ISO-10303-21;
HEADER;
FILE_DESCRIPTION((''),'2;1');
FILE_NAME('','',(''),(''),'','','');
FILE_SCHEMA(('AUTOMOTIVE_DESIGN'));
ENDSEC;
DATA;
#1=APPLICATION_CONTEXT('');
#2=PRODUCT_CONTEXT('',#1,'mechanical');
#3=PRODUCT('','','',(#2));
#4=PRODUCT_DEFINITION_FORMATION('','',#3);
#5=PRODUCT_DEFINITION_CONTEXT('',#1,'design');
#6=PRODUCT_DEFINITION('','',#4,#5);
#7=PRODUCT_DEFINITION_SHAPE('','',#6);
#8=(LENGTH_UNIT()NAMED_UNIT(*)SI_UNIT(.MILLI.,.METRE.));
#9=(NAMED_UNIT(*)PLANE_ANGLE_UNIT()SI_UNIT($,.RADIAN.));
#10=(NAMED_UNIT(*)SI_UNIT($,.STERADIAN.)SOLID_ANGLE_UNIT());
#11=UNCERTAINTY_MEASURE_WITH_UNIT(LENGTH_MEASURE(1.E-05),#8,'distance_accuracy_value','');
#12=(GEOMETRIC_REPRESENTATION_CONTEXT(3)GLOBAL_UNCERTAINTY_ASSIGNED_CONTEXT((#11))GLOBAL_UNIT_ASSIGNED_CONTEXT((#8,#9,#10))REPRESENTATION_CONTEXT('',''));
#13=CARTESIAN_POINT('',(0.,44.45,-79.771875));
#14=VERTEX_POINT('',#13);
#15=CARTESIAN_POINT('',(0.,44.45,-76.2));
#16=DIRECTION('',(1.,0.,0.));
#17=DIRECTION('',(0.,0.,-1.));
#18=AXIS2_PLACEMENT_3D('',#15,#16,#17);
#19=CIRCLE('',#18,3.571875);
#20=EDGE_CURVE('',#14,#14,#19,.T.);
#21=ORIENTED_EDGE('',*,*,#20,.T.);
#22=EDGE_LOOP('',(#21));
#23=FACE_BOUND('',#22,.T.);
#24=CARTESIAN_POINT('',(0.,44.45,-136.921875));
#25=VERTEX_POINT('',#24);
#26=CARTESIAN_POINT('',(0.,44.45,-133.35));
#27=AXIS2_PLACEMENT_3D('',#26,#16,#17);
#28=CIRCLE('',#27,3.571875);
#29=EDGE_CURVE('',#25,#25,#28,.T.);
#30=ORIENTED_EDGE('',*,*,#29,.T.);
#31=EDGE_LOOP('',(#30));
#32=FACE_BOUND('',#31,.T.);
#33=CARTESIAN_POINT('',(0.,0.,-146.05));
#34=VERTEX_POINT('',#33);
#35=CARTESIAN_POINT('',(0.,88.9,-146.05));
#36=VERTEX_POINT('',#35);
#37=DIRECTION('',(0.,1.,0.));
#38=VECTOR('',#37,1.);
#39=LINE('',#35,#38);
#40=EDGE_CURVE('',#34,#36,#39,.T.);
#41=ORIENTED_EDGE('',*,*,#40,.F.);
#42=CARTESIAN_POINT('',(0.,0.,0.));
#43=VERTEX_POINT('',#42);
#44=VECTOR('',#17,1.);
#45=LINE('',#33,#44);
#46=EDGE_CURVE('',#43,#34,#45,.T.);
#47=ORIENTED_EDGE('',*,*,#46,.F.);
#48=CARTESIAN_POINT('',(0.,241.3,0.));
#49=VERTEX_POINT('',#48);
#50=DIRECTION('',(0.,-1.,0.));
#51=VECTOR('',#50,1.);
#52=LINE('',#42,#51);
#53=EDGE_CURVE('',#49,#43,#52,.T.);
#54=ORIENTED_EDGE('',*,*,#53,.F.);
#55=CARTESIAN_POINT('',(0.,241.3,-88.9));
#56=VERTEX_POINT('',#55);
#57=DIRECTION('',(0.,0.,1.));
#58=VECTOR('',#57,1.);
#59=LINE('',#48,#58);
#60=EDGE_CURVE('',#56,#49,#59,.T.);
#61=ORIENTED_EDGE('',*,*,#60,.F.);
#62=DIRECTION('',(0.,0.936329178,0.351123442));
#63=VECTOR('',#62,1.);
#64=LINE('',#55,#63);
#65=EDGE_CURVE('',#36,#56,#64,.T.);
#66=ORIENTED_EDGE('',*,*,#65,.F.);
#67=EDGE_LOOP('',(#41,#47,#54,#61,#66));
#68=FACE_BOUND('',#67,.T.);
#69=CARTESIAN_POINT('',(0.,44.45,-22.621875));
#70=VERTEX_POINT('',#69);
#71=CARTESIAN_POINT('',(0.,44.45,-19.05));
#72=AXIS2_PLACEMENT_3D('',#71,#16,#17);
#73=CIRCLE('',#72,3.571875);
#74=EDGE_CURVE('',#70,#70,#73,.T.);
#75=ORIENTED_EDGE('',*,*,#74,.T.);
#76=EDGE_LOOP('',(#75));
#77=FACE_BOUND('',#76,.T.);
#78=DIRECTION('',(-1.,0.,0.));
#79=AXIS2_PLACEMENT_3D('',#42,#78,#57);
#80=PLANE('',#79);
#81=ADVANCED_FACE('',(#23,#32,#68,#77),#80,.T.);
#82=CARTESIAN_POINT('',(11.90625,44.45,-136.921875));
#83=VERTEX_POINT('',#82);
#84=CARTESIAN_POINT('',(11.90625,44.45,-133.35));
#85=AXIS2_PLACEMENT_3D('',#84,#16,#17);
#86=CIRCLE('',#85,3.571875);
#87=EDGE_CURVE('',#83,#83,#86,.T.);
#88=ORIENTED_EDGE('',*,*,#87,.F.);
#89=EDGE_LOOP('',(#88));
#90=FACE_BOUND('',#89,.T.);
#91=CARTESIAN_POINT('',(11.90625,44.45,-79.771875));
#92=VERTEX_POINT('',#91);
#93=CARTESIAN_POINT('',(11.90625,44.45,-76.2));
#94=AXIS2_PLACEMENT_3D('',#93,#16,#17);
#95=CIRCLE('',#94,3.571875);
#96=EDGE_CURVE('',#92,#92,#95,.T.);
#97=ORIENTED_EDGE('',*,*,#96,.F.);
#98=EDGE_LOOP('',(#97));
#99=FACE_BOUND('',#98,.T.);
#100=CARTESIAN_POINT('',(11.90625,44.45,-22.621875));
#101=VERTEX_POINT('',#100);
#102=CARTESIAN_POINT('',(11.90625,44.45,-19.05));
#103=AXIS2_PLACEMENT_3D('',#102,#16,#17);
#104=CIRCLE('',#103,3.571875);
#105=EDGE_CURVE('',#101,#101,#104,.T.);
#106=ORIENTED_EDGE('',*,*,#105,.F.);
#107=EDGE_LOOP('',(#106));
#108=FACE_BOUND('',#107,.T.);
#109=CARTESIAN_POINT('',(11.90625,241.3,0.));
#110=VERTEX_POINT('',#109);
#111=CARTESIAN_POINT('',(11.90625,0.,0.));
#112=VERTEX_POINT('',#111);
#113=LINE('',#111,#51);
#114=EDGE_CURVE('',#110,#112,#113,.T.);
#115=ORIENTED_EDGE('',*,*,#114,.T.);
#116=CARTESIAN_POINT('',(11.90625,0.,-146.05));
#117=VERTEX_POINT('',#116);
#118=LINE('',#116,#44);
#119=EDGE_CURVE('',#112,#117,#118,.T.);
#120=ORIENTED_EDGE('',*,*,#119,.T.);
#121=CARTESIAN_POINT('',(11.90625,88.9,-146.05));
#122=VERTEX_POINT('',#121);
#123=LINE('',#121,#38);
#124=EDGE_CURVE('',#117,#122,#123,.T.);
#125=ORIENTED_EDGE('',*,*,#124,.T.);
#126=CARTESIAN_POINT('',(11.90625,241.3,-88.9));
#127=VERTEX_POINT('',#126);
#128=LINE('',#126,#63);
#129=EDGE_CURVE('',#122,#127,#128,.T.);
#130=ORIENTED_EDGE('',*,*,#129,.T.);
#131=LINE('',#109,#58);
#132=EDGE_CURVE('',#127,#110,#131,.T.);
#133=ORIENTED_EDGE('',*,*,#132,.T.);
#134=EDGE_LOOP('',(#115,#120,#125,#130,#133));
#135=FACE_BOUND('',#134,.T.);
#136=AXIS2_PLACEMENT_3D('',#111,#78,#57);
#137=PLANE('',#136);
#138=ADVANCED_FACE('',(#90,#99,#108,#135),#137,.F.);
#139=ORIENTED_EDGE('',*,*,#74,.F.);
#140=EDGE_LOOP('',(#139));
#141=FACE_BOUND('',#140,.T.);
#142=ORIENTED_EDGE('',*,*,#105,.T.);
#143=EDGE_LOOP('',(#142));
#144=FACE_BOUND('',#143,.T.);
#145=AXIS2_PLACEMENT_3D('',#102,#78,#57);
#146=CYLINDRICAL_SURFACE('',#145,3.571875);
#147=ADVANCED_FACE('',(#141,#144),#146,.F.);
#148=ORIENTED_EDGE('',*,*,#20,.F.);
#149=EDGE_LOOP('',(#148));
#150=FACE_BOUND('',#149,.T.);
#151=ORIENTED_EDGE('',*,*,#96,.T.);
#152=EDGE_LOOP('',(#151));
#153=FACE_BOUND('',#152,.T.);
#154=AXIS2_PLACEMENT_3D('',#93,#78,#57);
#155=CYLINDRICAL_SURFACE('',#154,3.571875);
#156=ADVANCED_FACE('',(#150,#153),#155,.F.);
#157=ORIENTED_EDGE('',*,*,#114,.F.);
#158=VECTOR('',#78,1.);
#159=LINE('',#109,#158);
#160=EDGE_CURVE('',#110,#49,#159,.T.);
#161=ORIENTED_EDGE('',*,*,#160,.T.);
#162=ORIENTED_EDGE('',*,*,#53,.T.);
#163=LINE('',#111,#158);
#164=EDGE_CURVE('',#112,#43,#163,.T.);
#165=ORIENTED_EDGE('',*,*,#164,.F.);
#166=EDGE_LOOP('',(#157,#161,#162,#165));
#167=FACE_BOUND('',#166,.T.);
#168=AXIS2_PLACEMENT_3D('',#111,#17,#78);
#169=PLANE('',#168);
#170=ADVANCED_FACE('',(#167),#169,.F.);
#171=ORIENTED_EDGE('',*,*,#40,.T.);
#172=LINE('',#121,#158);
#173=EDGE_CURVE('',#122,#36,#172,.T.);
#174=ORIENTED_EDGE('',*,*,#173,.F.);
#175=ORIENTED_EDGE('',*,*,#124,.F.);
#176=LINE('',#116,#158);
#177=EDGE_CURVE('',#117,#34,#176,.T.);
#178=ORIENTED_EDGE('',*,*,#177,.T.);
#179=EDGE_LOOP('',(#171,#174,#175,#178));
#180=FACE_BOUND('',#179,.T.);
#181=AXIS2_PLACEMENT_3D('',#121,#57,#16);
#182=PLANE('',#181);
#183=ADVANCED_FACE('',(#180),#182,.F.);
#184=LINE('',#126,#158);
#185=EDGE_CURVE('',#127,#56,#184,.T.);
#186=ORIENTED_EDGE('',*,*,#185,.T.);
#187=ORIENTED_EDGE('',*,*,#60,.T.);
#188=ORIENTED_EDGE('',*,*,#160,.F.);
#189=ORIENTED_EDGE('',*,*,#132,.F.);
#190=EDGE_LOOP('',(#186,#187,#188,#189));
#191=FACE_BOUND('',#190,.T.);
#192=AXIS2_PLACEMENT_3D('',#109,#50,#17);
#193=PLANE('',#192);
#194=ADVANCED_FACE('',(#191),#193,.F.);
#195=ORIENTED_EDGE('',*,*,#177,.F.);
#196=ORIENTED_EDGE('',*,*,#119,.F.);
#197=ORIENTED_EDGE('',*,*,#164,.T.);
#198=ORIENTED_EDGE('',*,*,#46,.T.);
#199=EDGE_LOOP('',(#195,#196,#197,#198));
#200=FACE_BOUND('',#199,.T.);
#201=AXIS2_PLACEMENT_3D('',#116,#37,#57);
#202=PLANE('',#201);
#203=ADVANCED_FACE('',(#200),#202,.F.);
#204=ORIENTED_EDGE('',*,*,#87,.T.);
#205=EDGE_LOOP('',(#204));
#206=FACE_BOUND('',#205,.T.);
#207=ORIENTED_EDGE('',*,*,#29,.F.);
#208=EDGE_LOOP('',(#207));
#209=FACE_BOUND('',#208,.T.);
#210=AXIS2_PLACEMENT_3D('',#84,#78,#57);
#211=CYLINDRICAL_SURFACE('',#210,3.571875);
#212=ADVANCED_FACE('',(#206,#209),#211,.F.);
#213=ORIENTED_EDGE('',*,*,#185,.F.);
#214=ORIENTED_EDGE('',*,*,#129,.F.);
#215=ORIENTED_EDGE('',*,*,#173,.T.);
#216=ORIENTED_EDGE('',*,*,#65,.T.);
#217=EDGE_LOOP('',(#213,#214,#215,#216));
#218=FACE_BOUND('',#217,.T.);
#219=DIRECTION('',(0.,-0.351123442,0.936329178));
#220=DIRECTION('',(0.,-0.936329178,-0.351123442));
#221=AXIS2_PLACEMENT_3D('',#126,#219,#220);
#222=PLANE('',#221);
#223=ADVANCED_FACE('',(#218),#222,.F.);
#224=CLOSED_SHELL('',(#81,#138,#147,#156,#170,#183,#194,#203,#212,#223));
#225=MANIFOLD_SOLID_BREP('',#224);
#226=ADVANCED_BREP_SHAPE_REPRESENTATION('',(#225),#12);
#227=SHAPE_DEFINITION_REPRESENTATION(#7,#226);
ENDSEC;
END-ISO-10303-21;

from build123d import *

# Parameters (mm, degrees)
SKETCH1_R           = 3.571875
BOSS_EXTRUDE1_DEPTH = 11.90625


with BuildPart() as part:
    # Sketch1 → Boss-Extrude1 (new body)
    with BuildSketch(Plane(origin=(0, 0, 0), x_dir=(0, 0, -1), z_dir=(1, 0, 0))):
        Polygon((0, 0), (0, 241.3), (88.9, 241.3), (146.05, 88.9), (146.05, 0), align=None)
        with Locations((19.05, 44.45)):
            Circle(SKETCH1_R, mode=Mode.SUBTRACT)
        with Locations((76.2, 44.45)):
            Circle(SKETCH1_R, mode=Mode.SUBTRACT)
        with Locations((133.35, 44.45)):
            Circle(SKETCH1_R, mode=Mode.SUBTRACT)
    extrude(amount=BOSS_EXTRUDE1_DEPTH)


solid = part.part
